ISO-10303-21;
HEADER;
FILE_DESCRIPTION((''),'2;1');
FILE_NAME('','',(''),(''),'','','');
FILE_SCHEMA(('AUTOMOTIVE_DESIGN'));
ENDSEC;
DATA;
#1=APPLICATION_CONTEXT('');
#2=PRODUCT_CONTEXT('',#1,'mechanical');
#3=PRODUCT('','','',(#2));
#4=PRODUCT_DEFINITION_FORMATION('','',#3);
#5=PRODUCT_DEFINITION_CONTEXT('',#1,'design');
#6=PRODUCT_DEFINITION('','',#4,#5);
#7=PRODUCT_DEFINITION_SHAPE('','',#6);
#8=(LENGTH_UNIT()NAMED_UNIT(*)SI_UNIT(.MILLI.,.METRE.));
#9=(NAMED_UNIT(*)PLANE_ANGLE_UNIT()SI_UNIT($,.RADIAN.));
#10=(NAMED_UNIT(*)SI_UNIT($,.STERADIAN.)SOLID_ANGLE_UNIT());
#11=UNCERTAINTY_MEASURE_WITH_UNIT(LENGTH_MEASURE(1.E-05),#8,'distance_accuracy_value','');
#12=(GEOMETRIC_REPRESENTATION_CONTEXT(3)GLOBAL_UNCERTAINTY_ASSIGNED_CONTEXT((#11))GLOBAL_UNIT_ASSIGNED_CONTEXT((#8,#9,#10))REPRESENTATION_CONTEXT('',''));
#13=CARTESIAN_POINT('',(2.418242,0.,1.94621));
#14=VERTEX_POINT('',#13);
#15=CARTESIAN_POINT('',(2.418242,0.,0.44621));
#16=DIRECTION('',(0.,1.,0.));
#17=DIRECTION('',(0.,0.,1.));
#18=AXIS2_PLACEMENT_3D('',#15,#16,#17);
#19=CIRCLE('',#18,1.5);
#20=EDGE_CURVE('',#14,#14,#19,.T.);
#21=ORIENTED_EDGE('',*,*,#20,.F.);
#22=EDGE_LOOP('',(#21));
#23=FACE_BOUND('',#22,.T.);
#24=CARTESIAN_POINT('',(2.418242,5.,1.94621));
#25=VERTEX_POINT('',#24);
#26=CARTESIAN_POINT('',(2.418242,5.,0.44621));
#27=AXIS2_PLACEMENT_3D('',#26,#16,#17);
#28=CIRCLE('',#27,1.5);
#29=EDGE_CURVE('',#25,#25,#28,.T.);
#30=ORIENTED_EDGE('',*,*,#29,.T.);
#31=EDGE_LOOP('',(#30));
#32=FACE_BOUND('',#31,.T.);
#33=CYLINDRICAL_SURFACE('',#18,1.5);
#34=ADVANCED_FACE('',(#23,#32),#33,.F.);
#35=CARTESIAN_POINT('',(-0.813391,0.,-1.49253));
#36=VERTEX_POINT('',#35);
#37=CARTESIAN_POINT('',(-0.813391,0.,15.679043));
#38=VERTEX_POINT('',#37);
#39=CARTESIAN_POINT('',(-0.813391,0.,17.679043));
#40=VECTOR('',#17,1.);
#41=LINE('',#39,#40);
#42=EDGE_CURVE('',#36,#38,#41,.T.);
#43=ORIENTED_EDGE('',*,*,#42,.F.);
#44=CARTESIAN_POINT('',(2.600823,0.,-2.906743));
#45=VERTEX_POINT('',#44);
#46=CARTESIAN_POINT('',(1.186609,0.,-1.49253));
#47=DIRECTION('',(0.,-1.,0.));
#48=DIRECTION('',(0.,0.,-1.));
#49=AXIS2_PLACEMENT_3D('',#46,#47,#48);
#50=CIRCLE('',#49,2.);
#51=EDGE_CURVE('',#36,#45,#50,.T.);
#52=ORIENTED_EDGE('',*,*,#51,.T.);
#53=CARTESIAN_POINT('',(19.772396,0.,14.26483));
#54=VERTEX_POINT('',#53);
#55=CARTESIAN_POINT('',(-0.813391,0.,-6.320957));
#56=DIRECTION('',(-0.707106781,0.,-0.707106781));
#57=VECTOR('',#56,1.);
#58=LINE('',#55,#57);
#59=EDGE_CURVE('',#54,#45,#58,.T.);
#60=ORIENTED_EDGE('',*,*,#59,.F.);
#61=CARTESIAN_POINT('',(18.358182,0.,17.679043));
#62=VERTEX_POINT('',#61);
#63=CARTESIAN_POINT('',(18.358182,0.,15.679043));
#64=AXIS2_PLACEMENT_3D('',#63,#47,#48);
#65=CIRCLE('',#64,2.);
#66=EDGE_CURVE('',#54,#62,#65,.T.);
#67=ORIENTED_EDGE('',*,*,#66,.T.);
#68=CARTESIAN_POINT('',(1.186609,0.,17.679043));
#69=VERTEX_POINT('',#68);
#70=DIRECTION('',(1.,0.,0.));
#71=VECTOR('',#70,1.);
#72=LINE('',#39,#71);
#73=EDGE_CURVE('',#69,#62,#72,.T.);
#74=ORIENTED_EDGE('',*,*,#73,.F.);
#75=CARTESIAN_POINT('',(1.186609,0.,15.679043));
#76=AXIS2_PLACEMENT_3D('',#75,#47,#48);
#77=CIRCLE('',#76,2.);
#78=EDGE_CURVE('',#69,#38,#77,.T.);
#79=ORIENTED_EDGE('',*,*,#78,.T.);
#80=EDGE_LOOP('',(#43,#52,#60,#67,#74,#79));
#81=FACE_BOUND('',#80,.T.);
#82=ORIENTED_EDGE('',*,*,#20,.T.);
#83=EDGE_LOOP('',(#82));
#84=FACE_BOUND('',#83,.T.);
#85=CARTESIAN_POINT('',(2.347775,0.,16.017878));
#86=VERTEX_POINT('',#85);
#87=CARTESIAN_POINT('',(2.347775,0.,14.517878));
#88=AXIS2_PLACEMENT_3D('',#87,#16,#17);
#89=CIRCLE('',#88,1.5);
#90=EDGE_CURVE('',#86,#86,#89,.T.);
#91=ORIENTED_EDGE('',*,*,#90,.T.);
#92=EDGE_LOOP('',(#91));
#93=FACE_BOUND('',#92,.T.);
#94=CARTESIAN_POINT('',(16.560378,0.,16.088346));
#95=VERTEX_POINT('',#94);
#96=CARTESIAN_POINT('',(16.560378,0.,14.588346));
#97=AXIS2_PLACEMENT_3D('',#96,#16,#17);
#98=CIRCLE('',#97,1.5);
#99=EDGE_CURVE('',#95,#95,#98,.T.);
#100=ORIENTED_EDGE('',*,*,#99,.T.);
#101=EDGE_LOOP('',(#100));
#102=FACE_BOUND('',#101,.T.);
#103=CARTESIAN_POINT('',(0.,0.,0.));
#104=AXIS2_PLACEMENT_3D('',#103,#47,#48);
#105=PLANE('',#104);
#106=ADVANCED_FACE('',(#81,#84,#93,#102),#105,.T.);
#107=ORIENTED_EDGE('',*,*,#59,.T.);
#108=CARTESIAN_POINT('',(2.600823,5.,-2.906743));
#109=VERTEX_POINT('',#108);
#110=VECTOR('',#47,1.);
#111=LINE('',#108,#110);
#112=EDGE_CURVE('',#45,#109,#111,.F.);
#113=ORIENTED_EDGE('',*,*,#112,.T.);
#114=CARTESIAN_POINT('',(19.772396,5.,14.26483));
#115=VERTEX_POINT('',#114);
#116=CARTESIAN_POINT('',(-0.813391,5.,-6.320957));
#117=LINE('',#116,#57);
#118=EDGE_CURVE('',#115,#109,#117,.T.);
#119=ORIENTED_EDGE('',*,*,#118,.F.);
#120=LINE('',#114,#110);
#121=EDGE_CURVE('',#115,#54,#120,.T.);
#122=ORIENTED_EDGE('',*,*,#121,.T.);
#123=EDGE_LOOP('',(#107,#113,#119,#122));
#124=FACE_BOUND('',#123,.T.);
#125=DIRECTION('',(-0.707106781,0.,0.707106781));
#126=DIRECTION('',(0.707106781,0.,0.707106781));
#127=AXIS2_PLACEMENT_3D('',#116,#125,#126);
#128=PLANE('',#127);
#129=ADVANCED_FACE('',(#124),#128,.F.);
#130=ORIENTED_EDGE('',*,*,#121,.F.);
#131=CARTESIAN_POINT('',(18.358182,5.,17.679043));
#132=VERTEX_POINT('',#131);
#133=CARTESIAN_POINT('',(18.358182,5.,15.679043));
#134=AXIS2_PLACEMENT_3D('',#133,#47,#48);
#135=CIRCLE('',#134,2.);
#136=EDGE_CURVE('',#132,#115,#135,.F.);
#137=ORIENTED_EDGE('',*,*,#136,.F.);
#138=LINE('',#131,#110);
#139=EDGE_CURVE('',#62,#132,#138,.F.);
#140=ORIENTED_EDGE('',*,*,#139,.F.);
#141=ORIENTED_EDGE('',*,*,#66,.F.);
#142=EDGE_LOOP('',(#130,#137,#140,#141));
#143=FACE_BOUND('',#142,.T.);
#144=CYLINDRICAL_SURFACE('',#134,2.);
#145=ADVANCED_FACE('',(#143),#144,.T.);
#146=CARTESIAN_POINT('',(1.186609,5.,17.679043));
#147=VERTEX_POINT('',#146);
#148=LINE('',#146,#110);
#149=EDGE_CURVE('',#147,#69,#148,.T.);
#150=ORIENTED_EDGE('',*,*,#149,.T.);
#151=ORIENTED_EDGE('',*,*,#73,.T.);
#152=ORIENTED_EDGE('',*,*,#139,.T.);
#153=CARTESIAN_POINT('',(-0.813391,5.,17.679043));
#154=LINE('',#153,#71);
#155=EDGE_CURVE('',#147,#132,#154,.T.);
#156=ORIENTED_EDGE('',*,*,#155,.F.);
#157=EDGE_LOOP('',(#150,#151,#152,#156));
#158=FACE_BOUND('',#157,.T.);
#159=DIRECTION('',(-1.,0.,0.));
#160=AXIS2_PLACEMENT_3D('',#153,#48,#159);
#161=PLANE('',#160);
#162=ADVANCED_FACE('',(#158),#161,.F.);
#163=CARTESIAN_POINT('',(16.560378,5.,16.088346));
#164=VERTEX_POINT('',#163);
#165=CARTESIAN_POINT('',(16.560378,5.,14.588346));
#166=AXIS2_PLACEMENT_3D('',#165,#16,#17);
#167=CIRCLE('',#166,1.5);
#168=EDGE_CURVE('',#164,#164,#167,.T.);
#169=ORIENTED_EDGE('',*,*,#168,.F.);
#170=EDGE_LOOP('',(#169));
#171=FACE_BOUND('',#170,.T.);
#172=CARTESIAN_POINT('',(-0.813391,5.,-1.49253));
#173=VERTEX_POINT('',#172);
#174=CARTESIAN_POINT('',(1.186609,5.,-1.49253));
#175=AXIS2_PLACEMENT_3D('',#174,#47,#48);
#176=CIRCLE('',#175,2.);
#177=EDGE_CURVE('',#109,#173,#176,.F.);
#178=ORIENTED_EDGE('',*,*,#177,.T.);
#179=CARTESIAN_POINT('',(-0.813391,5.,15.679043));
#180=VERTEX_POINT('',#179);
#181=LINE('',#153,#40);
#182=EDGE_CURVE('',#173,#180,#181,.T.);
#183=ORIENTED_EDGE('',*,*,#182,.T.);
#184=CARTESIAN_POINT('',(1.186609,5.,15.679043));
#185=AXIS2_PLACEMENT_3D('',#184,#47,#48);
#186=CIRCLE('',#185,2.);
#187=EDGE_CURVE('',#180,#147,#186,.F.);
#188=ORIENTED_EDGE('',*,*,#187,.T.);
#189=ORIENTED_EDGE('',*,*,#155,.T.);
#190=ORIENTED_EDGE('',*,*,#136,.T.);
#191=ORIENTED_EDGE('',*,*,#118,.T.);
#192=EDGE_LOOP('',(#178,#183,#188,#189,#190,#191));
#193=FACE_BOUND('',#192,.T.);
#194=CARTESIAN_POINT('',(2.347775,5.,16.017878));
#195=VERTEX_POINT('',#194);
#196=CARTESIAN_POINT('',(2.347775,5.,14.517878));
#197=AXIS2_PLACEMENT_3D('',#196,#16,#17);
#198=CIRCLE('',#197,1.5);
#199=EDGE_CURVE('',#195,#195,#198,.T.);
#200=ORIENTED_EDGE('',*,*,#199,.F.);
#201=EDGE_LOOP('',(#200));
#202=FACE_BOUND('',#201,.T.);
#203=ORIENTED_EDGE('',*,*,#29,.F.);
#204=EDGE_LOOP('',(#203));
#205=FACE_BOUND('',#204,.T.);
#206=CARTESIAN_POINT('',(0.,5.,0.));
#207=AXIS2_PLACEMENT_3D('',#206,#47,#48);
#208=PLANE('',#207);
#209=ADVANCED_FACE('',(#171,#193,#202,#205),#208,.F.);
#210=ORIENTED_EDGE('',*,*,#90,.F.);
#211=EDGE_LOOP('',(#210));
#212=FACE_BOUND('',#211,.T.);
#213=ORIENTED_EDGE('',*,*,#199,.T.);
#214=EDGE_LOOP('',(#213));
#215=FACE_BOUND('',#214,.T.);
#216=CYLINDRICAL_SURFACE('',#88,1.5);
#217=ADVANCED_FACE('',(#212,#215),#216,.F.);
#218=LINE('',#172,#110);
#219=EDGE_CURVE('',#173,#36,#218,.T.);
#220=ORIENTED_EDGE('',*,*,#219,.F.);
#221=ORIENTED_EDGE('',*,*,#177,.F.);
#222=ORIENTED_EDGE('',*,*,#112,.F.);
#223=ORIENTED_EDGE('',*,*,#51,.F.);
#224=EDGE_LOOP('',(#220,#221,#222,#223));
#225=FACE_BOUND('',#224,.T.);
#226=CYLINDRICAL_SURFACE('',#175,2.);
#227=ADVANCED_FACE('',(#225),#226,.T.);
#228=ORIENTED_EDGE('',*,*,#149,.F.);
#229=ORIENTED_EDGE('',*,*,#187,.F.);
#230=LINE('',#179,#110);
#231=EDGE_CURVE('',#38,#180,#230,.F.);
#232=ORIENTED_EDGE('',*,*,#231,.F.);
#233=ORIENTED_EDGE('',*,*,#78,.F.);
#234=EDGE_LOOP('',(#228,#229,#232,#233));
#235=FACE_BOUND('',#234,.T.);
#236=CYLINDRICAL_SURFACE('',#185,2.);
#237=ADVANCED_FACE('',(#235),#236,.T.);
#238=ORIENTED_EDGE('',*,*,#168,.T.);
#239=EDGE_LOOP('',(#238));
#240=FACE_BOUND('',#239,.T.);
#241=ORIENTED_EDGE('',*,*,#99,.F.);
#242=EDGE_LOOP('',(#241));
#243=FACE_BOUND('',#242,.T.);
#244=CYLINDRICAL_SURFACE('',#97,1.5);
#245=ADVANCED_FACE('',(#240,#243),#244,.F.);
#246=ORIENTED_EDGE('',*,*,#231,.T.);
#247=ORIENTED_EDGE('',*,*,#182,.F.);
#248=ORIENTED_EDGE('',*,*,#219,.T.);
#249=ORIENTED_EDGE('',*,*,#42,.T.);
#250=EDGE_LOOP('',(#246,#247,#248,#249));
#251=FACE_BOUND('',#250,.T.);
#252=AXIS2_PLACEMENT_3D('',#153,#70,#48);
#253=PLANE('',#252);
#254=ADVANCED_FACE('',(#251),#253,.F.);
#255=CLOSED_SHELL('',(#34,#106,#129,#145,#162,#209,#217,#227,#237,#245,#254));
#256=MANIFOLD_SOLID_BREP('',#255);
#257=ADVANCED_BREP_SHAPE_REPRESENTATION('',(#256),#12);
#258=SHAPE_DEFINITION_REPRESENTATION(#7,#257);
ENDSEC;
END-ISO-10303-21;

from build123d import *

# Parameters (mm, degrees)
BOSS_EXTRUDE1_DEPTH = 5
FILLET1_R           = 2
SKETCH2_R           = 1.5
CUT_EXTRUDE1_DEPTH  = 28.422694299


with BuildPart() as part:
    # Sketch1 → Boss-Extrude1 (new body)
    with BuildSketch(Plane(origin=(0, 0, 0), x_dir=(1, 0, 0), z_dir=(0, 1, 0))):
        Polygon((-0.813390539, -17.679043374), (23.186609461, -17.679043374), (-0.813390539, 6.320956626), align=None)
    extrude(amount=BOSS_EXTRUDE1_DEPTH)

    # Fillet1
    fillet1_edges = [part.edges().sort_by_distance(p)[0] for p in [
        (-0.813390539, 2.5, -6.320956626),
        (23.186609461, 2.5, 17.679043374),
        (-0.813390539, 2.5, 17.679043374),
    ]]
    fillet(fillet1_edges, radius=FILLET1_R)

    # Sketch2 → Cut-Extrude1 (cut, through all)
    with BuildSketch(Plane(origin=(0, 5, 0), x_dir=(1, 0, 0), z_dir=(0, 1, 0))):
        with Locations(Location((2.347774696, -14.517878139, 0), (0, 0, 270))):
            Circle(SKETCH2_R)
        with Locations(Location((2.41824209, -0.446209909, 0), (0, 0, 270))):
            Circle(SKETCH2_R)
        with Locations(Location((16.560377713, -14.588345533, 0), (0, 0, 270))):
            Circle(SKETCH2_R)
    extrude(amount=-CUT_EXTRUDE1_DEPTH, mode=Mode.SUBTRACT)


solid = part.part
